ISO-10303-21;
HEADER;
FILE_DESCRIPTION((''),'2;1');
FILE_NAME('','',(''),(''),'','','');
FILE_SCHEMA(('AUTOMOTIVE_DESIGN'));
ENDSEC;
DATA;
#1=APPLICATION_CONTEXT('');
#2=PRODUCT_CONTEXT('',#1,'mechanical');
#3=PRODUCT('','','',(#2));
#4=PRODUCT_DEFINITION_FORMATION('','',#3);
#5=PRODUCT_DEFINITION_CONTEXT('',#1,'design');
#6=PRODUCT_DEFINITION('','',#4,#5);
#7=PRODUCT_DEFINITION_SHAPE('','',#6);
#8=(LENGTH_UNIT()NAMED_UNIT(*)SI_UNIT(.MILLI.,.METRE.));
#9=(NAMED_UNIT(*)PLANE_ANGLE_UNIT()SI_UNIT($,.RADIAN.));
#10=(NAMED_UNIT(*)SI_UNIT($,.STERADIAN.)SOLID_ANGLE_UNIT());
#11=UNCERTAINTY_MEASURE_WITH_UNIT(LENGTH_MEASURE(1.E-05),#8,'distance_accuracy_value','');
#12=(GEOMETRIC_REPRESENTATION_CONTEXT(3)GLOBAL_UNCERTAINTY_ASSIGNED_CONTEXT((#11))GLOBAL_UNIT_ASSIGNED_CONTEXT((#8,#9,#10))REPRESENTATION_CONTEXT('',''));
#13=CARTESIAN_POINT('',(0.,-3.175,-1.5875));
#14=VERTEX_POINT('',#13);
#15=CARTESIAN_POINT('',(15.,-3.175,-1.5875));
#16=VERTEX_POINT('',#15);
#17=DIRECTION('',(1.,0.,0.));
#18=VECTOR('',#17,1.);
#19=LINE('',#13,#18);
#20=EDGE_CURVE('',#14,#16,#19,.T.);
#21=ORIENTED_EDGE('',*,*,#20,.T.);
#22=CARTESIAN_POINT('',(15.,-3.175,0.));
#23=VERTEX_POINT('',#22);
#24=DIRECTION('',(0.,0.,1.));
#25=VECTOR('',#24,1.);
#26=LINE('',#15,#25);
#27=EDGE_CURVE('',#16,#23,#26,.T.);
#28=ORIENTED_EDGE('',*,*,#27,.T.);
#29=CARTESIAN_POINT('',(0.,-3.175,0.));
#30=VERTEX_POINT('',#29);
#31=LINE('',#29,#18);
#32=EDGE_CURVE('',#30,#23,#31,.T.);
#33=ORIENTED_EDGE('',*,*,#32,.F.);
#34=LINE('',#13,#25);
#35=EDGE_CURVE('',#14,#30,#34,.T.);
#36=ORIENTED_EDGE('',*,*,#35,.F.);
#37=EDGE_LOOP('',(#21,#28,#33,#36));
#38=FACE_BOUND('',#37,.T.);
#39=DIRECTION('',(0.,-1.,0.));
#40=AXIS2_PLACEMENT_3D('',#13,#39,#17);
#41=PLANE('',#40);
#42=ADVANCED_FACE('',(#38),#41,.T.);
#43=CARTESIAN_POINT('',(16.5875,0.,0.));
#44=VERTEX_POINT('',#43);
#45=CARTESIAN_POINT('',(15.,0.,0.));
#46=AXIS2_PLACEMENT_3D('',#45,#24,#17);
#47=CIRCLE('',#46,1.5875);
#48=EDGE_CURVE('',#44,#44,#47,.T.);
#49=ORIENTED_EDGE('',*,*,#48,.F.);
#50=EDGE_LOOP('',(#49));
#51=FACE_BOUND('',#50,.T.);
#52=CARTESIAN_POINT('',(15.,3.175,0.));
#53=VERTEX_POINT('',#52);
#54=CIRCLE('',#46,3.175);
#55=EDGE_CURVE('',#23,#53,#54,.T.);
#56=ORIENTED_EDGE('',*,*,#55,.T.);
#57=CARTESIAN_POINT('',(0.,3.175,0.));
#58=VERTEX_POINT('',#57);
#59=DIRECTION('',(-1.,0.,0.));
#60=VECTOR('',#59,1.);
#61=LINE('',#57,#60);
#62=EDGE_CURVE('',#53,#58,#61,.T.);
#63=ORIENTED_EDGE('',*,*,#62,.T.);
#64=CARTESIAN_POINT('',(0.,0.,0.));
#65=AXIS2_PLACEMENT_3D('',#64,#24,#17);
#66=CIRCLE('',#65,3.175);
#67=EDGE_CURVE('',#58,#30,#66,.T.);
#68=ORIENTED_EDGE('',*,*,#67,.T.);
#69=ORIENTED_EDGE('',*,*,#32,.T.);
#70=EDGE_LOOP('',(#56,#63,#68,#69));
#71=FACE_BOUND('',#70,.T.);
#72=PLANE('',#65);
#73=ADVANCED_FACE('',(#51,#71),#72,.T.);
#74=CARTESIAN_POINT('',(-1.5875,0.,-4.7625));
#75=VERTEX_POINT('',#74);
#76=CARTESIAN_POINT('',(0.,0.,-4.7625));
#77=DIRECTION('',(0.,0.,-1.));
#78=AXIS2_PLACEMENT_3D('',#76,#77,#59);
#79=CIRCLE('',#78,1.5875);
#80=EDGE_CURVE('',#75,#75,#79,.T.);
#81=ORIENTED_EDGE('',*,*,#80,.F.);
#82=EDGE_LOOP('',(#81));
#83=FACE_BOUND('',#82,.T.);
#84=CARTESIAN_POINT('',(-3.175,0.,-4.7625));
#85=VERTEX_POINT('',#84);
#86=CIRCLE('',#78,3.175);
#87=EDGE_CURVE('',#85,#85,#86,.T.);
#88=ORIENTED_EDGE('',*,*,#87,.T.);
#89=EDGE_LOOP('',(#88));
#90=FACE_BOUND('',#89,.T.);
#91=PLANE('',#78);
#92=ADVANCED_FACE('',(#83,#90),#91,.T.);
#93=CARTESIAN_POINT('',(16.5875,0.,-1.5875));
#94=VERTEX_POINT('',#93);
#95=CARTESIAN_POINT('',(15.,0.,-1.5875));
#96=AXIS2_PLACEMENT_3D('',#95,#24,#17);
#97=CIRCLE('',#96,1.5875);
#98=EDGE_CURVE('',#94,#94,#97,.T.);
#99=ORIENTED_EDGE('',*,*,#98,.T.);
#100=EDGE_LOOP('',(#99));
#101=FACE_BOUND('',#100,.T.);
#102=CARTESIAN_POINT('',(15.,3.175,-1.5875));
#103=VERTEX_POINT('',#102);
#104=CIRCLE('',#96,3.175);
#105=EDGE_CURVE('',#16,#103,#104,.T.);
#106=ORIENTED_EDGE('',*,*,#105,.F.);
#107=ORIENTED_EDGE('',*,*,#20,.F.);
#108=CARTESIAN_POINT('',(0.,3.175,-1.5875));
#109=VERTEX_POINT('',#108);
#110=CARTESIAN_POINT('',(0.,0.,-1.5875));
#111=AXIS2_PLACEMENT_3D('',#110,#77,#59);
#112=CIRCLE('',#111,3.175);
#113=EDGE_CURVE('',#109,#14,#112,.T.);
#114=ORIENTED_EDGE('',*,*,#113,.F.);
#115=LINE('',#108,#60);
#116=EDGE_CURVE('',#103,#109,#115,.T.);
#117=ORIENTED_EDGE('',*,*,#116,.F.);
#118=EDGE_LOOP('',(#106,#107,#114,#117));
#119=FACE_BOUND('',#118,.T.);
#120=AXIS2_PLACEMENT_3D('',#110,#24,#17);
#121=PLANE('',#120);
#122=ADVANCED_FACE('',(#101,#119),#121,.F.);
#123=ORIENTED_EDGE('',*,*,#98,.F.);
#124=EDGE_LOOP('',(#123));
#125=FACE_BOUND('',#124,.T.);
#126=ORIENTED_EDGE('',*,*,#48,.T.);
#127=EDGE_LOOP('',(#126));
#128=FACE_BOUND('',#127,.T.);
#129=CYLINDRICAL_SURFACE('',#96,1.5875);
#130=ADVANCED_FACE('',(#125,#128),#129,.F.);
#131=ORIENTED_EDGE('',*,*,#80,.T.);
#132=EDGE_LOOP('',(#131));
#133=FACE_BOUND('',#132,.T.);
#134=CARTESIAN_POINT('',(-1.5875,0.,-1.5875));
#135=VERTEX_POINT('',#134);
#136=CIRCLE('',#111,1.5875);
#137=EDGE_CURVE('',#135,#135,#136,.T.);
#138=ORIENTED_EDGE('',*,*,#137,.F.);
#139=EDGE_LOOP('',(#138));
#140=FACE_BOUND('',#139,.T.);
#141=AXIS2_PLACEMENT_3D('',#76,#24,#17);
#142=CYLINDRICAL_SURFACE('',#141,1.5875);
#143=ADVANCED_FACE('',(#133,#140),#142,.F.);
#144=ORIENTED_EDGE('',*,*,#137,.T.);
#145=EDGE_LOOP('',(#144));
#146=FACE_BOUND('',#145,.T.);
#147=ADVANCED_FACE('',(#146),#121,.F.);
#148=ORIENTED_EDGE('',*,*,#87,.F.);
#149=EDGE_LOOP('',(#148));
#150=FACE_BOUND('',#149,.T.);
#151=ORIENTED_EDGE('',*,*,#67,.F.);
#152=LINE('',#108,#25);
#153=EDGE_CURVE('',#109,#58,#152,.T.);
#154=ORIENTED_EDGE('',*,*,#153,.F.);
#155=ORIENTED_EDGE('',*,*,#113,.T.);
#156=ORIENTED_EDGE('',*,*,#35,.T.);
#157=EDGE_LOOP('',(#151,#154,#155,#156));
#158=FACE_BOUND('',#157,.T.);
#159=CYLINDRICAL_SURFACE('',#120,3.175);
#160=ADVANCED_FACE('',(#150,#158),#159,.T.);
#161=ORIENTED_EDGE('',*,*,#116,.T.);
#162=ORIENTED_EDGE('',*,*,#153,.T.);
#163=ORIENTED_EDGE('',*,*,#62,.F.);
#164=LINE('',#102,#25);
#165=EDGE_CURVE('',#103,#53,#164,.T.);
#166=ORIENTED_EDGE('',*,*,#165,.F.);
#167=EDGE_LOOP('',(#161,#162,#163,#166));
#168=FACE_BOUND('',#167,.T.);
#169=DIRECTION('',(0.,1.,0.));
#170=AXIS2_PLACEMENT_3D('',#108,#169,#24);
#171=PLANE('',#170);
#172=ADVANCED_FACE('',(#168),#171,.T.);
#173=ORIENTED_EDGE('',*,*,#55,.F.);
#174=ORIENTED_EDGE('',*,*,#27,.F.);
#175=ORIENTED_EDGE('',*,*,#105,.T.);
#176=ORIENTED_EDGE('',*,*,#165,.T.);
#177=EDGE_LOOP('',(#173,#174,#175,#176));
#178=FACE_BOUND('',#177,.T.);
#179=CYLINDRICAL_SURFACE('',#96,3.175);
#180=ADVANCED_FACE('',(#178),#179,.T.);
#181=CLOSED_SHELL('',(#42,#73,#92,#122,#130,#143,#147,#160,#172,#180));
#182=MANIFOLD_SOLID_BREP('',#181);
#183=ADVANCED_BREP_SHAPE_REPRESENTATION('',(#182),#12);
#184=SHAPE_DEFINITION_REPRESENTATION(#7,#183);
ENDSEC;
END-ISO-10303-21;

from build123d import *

# Parameters (mm, degrees)
SKETCH1_R           = 1.5875
BOSS_EXTRUDE1_DEPTH = 1.5875
SKETCH2_R           = 3.175
SKETCH2_R_2         = 1.5875
BOSS_EXTRUDE2_DEPTH = 3.175


with BuildPart() as part:
    # Sketch1 → Boss-Extrude1 (new body)
    with BuildSketch(Plane.XY):
        with BuildLine():
            Line((0, 3.175), (15, 3.175))
            ThreePointArc((15, 3.175), (18.175, 0), (15, -3.175))
            Line((15, -3.175), (0, -3.175))
            ThreePointArc((0, -3.175), (-3.175, 0), (0, 3.175))
        make_face()
        with Locations((15, 0)):
            Circle(SKETCH1_R, mode=Mode.SUBTRACT)
    extrude(amount=-BOSS_EXTRUDE1_DEPTH)

    # Sketch2 → Boss-Extrude2 (add)
    with BuildSketch(Plane(origin=(0, 0, -1.5875), x_dir=(-1, 0, 0), z_dir=(0, 0, -1))):
        with Locations(Location((0, 0, 0), (0, 0, 90))):
            Circle(SKETCH2_R)
        Circle(SKETCH2_R_2, mode=Mode.SUBTRACT)
    extrude(amount=BOSS_EXTRUDE2_DEPTH)


solid = part.part
